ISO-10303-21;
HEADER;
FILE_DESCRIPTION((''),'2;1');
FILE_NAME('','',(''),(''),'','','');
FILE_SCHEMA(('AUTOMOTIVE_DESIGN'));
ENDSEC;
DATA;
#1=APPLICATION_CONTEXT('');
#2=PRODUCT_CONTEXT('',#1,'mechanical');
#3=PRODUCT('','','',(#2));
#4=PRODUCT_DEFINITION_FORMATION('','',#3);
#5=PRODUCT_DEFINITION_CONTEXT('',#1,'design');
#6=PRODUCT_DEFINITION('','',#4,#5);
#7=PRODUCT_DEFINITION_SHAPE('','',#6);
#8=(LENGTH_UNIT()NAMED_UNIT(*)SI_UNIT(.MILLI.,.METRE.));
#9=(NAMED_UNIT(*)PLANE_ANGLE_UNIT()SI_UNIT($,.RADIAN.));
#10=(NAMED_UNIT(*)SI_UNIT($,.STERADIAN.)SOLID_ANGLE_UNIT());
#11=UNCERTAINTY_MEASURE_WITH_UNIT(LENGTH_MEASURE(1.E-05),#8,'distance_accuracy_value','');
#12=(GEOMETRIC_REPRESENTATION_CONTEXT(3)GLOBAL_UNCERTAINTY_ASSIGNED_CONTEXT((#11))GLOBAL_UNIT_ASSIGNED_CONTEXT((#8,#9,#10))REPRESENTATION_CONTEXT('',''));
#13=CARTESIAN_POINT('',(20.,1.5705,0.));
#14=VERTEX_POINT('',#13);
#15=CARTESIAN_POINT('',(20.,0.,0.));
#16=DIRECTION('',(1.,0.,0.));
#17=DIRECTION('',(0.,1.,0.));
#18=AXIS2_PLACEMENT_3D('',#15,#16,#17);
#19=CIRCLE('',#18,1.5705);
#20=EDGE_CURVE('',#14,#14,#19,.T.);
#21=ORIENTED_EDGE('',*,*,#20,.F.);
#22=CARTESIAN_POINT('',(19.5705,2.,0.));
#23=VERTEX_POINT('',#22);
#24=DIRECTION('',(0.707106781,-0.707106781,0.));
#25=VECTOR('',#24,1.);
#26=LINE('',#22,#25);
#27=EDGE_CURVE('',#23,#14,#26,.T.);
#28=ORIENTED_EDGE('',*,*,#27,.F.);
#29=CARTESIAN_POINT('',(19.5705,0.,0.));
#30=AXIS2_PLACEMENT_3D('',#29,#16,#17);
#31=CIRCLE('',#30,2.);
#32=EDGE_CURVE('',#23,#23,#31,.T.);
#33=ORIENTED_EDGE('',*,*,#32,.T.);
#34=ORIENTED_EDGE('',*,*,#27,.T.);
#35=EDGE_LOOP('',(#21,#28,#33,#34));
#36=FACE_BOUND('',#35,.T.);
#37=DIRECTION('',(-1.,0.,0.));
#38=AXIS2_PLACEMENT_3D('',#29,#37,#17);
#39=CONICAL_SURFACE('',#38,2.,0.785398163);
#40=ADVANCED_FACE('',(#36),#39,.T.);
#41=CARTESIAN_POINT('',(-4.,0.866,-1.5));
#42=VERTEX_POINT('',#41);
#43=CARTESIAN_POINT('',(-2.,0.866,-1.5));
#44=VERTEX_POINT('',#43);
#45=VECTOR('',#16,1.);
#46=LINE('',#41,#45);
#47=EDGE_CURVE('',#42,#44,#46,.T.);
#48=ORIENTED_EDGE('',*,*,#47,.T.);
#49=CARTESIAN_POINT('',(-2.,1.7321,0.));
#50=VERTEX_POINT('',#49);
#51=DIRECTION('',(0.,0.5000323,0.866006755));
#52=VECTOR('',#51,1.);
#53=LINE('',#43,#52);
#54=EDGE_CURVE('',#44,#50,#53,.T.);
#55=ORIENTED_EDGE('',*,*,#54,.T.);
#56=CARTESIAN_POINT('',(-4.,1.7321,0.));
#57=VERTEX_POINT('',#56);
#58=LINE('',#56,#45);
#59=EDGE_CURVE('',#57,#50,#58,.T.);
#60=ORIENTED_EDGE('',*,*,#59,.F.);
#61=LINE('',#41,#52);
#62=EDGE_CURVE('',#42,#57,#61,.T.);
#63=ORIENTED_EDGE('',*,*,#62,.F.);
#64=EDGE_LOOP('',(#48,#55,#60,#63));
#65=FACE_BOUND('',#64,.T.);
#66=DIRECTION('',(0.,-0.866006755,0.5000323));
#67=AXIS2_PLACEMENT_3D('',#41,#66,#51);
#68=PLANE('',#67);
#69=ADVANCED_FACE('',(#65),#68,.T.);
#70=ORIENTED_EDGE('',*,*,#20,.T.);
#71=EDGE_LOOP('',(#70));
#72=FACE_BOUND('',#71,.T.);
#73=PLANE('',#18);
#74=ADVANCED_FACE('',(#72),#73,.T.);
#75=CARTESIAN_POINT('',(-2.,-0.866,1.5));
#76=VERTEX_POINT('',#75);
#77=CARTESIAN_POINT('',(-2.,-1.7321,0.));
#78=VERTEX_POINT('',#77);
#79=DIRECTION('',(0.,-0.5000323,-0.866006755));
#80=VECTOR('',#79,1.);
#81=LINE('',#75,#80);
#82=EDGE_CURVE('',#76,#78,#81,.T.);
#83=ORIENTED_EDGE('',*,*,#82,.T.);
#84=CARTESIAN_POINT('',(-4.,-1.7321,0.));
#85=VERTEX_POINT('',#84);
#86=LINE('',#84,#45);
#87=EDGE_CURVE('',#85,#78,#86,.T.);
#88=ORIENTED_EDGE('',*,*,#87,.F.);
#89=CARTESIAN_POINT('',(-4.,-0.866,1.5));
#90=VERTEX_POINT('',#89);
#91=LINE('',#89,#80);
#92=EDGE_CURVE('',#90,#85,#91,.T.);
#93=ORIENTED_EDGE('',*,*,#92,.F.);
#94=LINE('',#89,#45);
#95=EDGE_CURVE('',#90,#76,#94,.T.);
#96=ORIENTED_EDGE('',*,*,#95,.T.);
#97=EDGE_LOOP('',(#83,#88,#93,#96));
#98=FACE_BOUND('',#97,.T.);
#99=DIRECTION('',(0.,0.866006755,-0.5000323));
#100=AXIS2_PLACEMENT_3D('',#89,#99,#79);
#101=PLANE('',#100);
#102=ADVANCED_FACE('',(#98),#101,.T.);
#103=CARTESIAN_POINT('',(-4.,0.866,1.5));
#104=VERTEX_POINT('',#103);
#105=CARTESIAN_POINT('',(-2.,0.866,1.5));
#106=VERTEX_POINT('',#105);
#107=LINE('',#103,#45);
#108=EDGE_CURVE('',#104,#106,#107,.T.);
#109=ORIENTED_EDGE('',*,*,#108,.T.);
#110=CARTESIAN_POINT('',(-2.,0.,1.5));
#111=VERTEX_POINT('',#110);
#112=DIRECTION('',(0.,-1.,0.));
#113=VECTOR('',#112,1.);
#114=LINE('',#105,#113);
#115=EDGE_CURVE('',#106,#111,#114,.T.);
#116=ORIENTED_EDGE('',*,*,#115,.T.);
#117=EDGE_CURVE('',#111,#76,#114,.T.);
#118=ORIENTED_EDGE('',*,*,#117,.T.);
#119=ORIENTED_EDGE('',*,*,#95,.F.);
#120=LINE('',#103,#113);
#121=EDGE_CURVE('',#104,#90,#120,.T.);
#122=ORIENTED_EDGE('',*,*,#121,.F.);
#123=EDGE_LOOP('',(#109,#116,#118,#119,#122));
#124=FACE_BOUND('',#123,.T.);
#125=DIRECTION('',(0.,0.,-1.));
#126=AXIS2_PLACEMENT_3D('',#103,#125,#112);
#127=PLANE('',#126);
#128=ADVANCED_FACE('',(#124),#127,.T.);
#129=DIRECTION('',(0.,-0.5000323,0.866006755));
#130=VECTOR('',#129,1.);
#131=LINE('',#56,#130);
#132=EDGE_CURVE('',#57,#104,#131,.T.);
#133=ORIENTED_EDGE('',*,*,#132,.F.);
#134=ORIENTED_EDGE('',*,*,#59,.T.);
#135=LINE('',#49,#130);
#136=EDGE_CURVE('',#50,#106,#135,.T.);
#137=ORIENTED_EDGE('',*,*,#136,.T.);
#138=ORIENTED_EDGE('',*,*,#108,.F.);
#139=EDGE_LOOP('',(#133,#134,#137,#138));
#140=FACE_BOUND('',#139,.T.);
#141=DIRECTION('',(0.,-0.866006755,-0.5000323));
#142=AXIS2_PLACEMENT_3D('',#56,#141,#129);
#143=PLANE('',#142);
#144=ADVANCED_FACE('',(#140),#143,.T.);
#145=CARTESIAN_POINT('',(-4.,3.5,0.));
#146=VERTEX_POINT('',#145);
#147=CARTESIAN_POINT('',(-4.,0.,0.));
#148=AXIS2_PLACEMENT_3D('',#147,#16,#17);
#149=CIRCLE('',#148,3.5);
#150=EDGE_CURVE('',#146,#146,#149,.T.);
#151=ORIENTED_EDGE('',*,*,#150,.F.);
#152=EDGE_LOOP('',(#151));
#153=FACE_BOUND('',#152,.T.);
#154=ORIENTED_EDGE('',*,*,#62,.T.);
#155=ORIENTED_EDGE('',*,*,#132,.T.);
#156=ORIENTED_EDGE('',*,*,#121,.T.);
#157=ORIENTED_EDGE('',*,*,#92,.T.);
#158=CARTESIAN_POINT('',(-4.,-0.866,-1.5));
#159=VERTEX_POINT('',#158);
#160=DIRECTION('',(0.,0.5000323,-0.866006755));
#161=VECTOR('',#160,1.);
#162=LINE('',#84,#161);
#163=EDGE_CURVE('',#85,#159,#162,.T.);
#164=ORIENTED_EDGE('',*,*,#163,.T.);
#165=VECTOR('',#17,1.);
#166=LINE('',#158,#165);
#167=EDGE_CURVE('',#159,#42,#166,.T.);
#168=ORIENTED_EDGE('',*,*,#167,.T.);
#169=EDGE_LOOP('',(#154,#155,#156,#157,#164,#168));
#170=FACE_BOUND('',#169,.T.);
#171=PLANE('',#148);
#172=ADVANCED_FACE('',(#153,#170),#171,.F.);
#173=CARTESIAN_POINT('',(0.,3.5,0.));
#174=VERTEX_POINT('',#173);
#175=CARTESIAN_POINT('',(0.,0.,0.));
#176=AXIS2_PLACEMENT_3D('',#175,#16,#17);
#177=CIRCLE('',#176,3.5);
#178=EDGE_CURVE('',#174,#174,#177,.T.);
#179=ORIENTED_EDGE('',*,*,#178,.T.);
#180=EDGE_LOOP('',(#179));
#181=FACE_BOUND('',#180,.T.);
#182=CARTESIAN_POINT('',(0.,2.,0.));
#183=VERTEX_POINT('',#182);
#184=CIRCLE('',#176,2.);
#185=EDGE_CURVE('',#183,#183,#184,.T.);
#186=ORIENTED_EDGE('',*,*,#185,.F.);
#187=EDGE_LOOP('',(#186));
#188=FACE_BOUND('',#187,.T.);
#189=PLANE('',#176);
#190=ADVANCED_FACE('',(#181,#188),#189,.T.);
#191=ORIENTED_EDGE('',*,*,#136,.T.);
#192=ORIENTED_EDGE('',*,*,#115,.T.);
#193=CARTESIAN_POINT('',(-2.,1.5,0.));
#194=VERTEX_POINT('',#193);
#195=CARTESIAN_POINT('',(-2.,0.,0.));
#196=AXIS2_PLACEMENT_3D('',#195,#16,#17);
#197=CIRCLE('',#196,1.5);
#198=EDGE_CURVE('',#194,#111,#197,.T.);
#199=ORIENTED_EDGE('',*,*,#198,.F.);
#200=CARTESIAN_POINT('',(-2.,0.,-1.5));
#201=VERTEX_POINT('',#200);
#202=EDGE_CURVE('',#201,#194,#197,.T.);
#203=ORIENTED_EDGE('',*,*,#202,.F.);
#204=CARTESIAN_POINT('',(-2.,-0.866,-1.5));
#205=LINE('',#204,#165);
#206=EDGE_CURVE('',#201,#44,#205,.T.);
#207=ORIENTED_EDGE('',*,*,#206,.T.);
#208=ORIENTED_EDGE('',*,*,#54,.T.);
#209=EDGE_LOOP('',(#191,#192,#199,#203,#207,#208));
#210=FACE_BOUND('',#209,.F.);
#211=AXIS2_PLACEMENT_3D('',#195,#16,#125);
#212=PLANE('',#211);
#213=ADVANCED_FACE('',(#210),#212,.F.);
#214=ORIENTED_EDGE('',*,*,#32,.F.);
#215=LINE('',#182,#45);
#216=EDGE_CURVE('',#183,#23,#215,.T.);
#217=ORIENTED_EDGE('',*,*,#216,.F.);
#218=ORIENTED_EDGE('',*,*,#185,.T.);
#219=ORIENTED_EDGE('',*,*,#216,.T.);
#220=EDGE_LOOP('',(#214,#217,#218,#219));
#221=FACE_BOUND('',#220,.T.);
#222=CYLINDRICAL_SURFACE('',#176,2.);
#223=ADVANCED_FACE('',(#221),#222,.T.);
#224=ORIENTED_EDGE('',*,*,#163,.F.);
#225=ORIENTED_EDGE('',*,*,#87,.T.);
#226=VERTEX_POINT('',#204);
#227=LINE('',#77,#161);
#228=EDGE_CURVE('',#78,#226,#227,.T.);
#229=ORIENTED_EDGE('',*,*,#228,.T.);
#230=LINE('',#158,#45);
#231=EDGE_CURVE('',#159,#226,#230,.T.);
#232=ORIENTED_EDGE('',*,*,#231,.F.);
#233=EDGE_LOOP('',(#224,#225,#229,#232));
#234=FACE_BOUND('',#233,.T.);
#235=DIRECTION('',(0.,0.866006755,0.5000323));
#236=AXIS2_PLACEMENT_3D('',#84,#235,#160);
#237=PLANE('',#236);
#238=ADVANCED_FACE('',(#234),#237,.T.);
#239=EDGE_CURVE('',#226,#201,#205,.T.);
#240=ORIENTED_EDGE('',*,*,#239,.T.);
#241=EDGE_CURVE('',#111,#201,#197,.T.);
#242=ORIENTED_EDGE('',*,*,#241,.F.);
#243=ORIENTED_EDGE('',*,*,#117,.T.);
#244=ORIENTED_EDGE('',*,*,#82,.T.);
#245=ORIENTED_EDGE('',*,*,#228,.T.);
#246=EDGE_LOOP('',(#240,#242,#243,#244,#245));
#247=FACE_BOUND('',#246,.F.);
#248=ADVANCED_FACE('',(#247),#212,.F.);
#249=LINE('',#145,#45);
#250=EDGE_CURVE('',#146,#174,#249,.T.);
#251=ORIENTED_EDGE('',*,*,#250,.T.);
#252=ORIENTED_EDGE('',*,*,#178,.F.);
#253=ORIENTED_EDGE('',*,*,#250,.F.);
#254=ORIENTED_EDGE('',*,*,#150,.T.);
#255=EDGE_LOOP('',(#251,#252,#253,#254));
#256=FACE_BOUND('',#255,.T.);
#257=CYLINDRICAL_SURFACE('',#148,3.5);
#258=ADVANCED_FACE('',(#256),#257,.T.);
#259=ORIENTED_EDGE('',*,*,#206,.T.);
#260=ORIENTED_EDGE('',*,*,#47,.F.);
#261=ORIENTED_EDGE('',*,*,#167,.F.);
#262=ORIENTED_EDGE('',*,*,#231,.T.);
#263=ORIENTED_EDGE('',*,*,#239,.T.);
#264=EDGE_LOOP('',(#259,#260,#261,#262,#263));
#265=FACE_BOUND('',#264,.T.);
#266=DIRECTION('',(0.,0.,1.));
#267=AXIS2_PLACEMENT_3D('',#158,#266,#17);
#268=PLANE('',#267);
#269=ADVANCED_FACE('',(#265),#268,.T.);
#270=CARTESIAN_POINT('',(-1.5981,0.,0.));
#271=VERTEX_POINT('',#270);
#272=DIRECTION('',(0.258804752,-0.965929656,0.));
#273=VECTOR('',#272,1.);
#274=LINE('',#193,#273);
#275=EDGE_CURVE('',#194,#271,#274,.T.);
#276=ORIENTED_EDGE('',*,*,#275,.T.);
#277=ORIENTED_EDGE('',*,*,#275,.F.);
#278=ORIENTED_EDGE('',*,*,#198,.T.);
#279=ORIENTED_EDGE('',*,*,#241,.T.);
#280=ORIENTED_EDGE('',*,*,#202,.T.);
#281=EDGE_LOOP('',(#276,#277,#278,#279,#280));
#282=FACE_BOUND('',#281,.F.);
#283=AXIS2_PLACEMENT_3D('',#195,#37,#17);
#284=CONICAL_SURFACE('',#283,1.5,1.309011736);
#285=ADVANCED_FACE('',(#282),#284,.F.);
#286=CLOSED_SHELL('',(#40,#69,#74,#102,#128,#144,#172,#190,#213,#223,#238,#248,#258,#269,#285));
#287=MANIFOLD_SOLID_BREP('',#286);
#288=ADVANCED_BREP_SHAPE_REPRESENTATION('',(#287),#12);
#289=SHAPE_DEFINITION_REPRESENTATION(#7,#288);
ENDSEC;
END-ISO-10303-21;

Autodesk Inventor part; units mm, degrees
sketch "Sketch_1" plane through (0, 0, 0) normal (0, 0, 1) x (1, 0, 0)
  line L0 (20, 0) -> (-4, 0)
  line L1 (-4, 0) -> (-4, 3.5)
  line L2 (-4, 3.5) -> (0, 3.5)
  line L3 (0, 3.5) -> (0, 2)
  line L4 (0, 2) -> (19.5705, 2)
  line L5 (19.5705, 2) -> (20, 1.5705)
  line L6 (20, 1.5705) -> (20, 0)
  line L7 (20, 0) -> (-4, 0)
revolve "Revolution1" add sketch "Sketch_1" angle 360 about axis through (20, 0, 0) along (1, 0, 0)
thread "Thread1" size "M4x0.7" class "6g" standard "ISO Metric profile" length 19.5 offset 0.5
sketch "Sketch_4" plane through (0, 0, 0) normal (0, 0, 1) x (1, 0, 0)
  line L0 (-1.5981, 0) -> (-4, 0)
  line L1 (-4, 0) -> (-4, 1.5)
  line L2 (-4, 1.5) -> (-2, 1.5)
  line L3 (-2, 1.5) -> (-1.5981, 0)
  line L4 (-1.5981, 0) -> (-4, 0)
revolve "Revolution2" cut sketch "Sketch_4" angle 360 about axis through (-1.5981, 0, 0) along (1, 0, 0)
sketch "Sketch_3" plane through (-4, 0, 0) normal (1, 0, 0) x (0, 0, -1)
  line L0 (-1.5, 0.866) -> (-1.5, -0.866)
  line L1 (-1.5, -0.866) -> (0, -1.7321)
  line L2 (0, -1.7321) -> (1.5, -0.866)
  line L3 (1.5, -0.866) -> (1.5, 0.866)
  line L4 (1.5, 0.866) -> (0, 1.7321)
  line L5 (0, 1.7321) -> (-1.5, 0.866)
extrude "Extrusion1" cut sketch "Sketch_3" along normal blind 2
ref_plane "bolt_XY" through (0, 0, 0) normal (1, 0, 0) x (0, 0, -1)
ref_plane "bolt_YZ" through (0, 0, 0) normal (0, 0, -1) x (0, 1, 0)
ref_plane "bolt_ZX" through (0, 0, 0) normal (0, 1, 0) x (1, 0, 0)
ref_plane "nut_XY" through (20, 0, 0) normal (1, 0, 0) x (0, 0, -1)
ref_plane "nut_YZ" through (20, 0, 0) normal (0, 0, -1) x (0, 1, 0)
ref_plane "nut_ZX" through (20, 0, 0) normal (0, 1, 0) x (1, 0, 0)
properties part number "CBM4-20" material "MISUMI"
